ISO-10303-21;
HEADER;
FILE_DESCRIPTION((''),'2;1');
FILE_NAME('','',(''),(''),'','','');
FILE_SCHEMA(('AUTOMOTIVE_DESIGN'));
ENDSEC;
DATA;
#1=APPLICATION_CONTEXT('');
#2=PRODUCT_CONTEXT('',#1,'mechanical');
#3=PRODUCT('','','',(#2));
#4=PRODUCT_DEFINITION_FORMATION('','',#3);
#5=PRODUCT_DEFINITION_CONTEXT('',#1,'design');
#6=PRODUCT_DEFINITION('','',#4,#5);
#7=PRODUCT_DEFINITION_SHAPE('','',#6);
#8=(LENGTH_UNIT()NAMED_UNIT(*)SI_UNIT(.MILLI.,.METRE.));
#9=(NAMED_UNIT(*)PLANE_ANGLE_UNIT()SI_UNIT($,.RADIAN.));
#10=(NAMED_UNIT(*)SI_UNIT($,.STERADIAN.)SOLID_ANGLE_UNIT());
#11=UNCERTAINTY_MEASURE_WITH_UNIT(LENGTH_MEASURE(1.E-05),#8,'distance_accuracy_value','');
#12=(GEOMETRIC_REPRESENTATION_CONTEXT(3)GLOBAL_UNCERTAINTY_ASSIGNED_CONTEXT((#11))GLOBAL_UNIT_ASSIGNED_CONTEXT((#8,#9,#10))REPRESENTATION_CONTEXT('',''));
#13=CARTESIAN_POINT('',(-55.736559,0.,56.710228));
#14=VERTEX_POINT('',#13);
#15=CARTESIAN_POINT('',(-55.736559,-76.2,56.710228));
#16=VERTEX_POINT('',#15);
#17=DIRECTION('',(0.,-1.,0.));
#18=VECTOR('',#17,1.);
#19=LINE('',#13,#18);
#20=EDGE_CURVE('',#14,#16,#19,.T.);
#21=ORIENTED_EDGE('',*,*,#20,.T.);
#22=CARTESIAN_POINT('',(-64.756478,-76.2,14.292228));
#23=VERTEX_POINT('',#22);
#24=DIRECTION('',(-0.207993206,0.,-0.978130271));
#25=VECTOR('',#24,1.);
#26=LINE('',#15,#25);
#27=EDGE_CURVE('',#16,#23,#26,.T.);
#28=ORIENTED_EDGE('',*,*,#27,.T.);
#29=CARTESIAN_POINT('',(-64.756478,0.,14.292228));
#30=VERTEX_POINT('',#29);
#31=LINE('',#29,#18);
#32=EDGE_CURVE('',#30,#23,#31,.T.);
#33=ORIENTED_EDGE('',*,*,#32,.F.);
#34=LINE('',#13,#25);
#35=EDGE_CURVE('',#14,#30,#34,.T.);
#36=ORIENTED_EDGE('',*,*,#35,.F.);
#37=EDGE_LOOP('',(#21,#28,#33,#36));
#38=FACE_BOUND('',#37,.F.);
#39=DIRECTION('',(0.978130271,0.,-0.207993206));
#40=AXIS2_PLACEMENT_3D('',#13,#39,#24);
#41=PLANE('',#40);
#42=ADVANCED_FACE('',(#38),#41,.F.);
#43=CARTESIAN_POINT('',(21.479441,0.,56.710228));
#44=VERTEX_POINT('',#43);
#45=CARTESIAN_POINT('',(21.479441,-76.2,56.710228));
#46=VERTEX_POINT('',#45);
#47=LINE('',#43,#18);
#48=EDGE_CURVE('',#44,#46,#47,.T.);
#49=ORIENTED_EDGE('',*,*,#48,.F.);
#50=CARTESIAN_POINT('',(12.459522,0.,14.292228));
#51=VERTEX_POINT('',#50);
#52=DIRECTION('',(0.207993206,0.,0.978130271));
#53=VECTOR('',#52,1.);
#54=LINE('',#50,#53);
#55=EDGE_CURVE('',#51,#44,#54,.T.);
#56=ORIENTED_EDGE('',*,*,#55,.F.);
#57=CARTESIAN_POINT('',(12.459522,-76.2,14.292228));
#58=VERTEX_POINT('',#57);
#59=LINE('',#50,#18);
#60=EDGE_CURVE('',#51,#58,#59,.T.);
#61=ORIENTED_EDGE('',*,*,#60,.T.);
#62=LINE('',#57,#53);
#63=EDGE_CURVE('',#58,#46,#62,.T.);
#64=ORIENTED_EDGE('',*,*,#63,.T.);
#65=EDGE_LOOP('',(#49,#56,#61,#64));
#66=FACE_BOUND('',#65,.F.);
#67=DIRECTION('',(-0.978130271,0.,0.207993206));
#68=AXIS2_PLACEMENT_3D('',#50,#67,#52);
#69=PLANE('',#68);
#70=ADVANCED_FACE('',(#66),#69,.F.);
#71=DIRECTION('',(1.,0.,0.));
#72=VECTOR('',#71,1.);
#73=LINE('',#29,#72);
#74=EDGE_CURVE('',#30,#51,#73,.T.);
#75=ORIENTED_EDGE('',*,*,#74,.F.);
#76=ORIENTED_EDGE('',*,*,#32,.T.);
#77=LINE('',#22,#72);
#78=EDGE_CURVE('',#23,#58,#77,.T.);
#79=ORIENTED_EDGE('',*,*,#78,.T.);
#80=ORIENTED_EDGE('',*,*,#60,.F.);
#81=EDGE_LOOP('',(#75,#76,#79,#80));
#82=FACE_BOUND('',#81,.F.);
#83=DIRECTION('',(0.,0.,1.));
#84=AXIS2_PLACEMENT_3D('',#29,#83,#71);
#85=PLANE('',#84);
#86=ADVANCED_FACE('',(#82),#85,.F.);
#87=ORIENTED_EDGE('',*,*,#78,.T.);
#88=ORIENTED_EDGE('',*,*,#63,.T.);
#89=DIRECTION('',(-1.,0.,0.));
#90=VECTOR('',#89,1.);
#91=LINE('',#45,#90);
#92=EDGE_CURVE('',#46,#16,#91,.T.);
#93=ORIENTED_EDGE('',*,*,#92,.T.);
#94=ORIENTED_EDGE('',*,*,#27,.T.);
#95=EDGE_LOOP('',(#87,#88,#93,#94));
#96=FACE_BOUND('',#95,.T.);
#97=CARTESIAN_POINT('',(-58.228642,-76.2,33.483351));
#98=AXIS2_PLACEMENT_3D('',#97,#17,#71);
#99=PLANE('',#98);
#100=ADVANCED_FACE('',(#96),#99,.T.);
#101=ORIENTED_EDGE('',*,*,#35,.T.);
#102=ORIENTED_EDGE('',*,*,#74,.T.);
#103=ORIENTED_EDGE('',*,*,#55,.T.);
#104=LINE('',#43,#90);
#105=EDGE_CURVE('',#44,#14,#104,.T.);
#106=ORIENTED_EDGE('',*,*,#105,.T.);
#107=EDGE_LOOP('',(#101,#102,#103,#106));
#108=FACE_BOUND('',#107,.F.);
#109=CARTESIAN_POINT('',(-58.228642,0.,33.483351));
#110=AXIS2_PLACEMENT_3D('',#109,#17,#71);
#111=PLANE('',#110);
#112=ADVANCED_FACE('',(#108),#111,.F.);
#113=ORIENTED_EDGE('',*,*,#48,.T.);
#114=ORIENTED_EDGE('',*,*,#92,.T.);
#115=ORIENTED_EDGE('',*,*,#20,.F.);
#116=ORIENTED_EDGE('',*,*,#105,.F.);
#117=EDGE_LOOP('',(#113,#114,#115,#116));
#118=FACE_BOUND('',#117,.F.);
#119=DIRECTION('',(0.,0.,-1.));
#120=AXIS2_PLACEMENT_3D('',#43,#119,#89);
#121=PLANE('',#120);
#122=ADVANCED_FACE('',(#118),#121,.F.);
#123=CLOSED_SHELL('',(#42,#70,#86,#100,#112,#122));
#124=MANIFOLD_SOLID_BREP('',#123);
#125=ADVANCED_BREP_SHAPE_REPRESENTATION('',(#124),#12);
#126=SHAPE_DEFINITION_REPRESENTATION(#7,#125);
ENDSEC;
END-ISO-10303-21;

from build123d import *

# Parameters (mm, degrees)
F1_DEPTH = 76.2


with BuildPart() as f1:
    # F0 (on Front) → F1 (new body)
    with BuildSketch(Plane.XZ):
        Polygon((-55.736559, 14.292228), (-55.736559, 56.710228), (-64.756478, 14.292228), align=None)
        Polygon((21.479441, 56.710228), (-55.736559, 56.710228), (-55.736559, 14.292228), (12.459522, 14.292228), align=None)
    extrude(amount=F1_DEPTH)


solid = f1.part
